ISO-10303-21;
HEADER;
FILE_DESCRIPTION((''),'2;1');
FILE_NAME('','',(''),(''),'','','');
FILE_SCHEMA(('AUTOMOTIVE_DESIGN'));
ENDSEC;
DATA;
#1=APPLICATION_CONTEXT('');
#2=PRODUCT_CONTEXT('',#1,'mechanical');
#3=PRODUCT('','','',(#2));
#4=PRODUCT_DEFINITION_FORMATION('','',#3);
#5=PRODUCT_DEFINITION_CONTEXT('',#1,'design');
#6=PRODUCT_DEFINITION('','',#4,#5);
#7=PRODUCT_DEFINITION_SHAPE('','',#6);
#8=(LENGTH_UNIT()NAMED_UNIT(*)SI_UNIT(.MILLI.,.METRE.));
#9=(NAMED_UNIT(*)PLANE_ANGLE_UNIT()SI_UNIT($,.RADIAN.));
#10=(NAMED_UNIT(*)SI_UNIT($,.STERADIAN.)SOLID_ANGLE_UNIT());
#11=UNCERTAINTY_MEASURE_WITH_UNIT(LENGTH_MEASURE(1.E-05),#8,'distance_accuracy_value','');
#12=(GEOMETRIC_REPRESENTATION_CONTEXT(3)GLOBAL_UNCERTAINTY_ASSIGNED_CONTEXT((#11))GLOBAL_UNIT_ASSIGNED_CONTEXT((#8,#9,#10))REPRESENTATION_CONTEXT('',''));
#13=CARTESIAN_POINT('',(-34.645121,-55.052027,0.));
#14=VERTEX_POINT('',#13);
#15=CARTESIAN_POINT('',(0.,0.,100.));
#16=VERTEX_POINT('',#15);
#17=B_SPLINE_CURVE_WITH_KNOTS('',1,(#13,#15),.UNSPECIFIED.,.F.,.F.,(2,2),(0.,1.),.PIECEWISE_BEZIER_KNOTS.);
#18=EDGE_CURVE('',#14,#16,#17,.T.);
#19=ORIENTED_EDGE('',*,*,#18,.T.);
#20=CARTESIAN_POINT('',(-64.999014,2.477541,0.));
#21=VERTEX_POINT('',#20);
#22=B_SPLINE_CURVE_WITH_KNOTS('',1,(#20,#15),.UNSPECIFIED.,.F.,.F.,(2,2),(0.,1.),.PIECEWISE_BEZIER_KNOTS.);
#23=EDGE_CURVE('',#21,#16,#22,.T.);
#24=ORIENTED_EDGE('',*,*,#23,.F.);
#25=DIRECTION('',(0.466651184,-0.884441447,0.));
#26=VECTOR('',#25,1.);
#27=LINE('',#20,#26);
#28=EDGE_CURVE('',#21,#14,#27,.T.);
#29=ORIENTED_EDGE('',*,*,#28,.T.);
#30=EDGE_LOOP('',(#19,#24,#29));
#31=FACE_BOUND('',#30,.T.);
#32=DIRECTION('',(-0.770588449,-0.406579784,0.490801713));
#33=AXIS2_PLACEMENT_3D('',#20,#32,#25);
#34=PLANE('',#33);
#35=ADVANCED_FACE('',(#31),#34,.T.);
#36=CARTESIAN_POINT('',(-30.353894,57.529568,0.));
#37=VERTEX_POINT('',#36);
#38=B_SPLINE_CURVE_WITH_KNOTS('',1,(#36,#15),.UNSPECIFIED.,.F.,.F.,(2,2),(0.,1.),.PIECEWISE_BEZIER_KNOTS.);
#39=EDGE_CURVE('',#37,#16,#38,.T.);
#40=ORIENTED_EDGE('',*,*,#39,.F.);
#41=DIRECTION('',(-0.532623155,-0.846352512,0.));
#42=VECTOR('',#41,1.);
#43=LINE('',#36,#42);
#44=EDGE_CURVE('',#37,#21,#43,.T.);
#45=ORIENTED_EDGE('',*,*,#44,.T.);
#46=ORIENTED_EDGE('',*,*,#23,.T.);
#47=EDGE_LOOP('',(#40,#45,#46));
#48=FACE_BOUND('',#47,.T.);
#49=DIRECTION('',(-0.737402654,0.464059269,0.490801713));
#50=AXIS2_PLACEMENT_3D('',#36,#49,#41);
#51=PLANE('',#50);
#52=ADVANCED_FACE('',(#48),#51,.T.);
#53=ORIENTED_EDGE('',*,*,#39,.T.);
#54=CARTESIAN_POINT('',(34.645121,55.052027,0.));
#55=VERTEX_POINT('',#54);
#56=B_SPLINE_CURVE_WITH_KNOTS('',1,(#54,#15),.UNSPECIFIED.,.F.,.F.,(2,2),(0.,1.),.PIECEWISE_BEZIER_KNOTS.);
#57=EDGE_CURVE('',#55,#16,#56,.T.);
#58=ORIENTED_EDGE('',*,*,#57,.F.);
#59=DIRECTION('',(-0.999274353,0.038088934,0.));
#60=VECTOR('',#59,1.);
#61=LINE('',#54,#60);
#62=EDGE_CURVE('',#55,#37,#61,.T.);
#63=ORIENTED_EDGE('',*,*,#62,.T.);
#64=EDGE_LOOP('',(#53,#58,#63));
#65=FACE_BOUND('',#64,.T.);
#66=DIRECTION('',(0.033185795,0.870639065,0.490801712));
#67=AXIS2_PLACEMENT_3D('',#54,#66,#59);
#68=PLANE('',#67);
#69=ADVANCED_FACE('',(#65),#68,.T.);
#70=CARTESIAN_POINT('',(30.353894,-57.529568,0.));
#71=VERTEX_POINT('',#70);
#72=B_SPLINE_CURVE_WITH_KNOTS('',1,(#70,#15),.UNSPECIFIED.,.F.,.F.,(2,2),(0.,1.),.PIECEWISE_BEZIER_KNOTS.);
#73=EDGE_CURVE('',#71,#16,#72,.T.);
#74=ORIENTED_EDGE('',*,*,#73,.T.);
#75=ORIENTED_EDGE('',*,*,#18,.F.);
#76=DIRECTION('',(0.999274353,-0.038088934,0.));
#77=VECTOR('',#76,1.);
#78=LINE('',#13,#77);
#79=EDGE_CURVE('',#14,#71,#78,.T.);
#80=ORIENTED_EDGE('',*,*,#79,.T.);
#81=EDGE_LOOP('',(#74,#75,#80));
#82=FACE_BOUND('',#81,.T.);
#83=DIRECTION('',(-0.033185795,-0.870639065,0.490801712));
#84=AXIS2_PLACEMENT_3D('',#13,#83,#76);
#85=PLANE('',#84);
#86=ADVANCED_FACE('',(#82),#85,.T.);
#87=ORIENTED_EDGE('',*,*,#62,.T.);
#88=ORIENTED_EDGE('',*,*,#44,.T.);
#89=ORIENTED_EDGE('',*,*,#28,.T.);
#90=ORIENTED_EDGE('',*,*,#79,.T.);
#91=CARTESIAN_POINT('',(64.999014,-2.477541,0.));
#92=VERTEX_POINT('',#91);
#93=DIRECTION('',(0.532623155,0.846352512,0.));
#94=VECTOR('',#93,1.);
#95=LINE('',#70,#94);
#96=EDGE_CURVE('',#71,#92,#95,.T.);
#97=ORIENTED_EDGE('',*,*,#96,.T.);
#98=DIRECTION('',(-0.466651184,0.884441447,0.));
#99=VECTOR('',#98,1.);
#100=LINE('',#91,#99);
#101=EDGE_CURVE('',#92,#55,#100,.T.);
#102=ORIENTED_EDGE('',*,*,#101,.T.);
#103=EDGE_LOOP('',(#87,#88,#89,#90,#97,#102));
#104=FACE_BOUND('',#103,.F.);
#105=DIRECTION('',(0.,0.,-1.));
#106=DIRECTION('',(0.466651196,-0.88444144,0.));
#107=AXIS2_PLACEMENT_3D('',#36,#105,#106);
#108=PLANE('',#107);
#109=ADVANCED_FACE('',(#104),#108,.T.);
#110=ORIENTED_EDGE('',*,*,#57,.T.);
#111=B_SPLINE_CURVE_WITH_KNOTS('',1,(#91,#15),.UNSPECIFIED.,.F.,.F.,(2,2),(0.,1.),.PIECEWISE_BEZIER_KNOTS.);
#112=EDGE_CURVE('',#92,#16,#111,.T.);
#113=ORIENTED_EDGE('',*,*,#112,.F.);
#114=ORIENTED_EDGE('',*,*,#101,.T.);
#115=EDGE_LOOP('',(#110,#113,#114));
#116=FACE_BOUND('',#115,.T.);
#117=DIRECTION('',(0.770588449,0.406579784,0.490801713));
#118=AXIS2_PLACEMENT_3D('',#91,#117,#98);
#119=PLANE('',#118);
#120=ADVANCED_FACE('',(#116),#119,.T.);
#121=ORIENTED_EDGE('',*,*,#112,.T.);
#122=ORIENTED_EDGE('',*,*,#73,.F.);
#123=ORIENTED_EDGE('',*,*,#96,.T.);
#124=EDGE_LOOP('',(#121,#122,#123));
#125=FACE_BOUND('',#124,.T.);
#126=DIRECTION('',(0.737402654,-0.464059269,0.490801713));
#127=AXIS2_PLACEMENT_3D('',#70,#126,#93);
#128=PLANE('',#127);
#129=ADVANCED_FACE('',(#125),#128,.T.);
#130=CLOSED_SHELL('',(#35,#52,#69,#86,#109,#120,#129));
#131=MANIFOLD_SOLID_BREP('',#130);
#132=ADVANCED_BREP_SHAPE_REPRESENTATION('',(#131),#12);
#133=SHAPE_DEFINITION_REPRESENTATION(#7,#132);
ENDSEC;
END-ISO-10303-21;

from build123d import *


with BuildPart() as f3:
    # F0 (on Top) → F3 section 0
    with BuildSketch(Plane.XY, mode=Mode.PRIVATE) as f3_s0:
        Polygon((-30.353894, 57.529568), (-64.999014, 2.477541), (-34.645121, -55.052027), (30.353894, -57.529568), (64.999014, -2.477541), (34.645121, 55.052027), align=None)
    loft([f3_s0.sketch, Vertex(0, 0, 100)])


solid = f3.part
